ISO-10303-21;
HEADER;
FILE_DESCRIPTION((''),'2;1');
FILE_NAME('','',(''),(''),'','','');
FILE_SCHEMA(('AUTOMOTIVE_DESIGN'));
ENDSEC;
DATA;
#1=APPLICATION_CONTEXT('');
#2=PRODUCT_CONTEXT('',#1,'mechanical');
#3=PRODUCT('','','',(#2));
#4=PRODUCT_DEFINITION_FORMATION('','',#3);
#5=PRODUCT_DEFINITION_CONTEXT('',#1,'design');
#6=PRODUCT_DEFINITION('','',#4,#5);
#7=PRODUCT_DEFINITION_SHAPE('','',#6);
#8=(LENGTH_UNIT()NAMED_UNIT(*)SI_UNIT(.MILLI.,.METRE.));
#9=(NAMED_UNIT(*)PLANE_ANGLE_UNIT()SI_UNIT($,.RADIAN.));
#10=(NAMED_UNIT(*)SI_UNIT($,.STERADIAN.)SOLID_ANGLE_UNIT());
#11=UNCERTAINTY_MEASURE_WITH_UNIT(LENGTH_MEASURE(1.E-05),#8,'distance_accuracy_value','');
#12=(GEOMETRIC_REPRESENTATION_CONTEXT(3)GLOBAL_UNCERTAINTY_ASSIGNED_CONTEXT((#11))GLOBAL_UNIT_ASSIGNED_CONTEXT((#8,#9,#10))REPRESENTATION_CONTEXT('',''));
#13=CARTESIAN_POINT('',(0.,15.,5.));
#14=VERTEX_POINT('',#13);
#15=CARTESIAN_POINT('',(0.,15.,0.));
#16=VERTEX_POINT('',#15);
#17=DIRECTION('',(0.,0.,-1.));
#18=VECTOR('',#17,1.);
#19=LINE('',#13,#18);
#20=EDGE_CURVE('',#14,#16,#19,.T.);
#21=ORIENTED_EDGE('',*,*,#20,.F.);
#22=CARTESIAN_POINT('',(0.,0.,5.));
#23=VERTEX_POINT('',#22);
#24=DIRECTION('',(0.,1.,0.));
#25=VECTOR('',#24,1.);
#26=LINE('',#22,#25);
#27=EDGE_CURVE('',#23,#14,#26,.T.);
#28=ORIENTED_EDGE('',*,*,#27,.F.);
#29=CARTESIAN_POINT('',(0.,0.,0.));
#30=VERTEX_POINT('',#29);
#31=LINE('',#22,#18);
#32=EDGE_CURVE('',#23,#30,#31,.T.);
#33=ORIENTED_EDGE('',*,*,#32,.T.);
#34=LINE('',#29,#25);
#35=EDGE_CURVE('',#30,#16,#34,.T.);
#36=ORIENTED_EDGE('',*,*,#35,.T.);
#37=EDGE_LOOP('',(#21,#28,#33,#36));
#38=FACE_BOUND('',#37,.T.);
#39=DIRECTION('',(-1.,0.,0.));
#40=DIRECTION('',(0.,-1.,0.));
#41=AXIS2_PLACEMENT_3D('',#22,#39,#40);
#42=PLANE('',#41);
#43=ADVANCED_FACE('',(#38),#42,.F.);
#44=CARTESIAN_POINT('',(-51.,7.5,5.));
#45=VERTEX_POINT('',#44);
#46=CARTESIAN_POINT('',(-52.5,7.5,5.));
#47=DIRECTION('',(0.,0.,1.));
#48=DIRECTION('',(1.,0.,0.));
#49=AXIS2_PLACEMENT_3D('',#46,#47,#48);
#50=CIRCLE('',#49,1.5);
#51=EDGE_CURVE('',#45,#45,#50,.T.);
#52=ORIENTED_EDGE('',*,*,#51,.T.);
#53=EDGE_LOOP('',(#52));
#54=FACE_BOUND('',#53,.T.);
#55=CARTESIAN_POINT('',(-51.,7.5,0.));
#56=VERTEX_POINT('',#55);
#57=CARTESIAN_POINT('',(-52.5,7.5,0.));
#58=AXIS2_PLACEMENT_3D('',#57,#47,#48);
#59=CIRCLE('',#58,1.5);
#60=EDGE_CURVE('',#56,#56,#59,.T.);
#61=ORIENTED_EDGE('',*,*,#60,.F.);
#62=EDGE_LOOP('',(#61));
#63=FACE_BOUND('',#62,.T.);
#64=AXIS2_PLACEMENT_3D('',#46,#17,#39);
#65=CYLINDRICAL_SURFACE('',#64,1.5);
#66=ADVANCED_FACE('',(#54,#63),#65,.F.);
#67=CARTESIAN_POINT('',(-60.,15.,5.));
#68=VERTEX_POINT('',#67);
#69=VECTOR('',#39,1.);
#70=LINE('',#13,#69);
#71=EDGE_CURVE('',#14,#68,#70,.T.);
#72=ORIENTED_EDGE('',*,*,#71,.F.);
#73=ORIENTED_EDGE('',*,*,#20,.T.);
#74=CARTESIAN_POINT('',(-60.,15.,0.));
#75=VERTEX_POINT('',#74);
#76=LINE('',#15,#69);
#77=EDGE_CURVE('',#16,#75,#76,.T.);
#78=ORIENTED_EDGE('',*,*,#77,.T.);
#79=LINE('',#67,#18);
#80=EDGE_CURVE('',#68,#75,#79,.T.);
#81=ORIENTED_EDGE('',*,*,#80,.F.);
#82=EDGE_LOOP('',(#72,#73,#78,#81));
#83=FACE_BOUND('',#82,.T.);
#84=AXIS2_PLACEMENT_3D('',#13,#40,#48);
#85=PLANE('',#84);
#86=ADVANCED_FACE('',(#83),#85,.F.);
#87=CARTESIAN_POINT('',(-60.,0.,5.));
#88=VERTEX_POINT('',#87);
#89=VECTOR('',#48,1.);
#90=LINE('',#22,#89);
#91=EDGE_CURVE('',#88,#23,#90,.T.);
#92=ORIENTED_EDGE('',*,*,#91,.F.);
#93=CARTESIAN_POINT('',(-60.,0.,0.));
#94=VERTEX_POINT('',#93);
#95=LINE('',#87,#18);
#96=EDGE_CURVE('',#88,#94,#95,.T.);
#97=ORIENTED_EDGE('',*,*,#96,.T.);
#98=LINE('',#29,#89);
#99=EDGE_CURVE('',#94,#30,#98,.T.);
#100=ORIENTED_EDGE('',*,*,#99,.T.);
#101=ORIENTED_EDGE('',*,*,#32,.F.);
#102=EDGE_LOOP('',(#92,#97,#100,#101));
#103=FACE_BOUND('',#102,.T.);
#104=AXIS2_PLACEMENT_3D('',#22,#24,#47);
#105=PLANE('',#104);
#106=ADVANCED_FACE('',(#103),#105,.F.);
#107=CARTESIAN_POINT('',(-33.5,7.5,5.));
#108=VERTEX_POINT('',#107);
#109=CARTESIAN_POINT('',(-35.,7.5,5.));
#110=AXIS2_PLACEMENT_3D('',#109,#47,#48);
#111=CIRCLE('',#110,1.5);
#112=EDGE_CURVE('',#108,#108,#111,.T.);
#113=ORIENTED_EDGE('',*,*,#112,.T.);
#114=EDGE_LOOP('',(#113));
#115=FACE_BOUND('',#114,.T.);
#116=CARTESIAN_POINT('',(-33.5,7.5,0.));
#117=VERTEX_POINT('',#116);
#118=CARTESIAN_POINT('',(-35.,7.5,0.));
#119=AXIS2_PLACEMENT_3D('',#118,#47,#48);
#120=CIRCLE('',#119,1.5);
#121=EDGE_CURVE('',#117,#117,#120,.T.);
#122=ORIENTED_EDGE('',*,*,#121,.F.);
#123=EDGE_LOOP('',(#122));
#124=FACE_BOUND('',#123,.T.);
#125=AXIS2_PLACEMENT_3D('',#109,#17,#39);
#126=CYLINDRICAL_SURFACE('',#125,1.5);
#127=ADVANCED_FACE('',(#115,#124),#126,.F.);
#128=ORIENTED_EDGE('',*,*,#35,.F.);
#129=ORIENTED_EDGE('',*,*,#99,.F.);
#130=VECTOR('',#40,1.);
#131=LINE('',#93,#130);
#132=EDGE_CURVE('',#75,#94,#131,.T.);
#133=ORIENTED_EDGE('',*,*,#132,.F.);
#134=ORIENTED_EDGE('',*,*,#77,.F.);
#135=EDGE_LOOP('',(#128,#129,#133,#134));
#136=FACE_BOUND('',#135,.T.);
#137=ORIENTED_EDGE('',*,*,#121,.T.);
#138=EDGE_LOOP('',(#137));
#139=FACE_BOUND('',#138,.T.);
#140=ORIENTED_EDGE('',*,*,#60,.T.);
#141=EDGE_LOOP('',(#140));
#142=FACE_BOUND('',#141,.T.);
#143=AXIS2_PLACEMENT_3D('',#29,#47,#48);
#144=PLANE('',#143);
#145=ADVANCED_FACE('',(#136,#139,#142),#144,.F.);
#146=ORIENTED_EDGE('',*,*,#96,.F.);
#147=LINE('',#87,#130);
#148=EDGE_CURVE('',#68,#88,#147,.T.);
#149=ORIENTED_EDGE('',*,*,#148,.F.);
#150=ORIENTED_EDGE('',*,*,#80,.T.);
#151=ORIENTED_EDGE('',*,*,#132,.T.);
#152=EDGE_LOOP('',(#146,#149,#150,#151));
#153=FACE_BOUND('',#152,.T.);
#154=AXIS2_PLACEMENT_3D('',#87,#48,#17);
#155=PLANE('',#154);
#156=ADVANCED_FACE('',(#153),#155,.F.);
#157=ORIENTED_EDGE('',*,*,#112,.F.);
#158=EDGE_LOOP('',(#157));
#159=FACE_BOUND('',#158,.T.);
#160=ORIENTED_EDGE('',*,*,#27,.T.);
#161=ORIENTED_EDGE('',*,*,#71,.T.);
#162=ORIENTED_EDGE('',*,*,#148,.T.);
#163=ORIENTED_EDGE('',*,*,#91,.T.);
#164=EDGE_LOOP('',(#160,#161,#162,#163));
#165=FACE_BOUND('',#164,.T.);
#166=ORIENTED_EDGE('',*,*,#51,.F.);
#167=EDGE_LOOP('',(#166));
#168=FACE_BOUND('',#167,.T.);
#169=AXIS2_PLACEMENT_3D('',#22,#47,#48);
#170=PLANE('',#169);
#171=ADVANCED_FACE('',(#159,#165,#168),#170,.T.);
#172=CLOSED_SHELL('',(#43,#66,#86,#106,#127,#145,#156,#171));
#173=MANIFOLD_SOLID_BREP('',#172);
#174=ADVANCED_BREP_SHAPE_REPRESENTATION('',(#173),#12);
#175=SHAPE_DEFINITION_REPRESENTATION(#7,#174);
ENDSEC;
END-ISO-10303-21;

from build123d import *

# Parameters (mm, degrees)
SKETCH1_W           = 60
SKETCH1_H           = 15
SKETCH1_R           = 1.5
BOSS_EXTRUDE1_DEPTH = 5


with BuildPart() as part:
    # Sketch1 → Boss-Extrude1 (new body)
    with BuildSketch(Plane.XY):
        with Locations((-30, 7.5)):
            Rectangle(SKETCH1_W, SKETCH1_H)
        with Locations((-52.5, 7.5)):
            Circle(SKETCH1_R, mode=Mode.SUBTRACT)
        with Locations((-35, 7.5)):
            Circle(SKETCH1_R, mode=Mode.SUBTRACT)
    extrude(amount=BOSS_EXTRUDE1_DEPTH)


solid = part.part
